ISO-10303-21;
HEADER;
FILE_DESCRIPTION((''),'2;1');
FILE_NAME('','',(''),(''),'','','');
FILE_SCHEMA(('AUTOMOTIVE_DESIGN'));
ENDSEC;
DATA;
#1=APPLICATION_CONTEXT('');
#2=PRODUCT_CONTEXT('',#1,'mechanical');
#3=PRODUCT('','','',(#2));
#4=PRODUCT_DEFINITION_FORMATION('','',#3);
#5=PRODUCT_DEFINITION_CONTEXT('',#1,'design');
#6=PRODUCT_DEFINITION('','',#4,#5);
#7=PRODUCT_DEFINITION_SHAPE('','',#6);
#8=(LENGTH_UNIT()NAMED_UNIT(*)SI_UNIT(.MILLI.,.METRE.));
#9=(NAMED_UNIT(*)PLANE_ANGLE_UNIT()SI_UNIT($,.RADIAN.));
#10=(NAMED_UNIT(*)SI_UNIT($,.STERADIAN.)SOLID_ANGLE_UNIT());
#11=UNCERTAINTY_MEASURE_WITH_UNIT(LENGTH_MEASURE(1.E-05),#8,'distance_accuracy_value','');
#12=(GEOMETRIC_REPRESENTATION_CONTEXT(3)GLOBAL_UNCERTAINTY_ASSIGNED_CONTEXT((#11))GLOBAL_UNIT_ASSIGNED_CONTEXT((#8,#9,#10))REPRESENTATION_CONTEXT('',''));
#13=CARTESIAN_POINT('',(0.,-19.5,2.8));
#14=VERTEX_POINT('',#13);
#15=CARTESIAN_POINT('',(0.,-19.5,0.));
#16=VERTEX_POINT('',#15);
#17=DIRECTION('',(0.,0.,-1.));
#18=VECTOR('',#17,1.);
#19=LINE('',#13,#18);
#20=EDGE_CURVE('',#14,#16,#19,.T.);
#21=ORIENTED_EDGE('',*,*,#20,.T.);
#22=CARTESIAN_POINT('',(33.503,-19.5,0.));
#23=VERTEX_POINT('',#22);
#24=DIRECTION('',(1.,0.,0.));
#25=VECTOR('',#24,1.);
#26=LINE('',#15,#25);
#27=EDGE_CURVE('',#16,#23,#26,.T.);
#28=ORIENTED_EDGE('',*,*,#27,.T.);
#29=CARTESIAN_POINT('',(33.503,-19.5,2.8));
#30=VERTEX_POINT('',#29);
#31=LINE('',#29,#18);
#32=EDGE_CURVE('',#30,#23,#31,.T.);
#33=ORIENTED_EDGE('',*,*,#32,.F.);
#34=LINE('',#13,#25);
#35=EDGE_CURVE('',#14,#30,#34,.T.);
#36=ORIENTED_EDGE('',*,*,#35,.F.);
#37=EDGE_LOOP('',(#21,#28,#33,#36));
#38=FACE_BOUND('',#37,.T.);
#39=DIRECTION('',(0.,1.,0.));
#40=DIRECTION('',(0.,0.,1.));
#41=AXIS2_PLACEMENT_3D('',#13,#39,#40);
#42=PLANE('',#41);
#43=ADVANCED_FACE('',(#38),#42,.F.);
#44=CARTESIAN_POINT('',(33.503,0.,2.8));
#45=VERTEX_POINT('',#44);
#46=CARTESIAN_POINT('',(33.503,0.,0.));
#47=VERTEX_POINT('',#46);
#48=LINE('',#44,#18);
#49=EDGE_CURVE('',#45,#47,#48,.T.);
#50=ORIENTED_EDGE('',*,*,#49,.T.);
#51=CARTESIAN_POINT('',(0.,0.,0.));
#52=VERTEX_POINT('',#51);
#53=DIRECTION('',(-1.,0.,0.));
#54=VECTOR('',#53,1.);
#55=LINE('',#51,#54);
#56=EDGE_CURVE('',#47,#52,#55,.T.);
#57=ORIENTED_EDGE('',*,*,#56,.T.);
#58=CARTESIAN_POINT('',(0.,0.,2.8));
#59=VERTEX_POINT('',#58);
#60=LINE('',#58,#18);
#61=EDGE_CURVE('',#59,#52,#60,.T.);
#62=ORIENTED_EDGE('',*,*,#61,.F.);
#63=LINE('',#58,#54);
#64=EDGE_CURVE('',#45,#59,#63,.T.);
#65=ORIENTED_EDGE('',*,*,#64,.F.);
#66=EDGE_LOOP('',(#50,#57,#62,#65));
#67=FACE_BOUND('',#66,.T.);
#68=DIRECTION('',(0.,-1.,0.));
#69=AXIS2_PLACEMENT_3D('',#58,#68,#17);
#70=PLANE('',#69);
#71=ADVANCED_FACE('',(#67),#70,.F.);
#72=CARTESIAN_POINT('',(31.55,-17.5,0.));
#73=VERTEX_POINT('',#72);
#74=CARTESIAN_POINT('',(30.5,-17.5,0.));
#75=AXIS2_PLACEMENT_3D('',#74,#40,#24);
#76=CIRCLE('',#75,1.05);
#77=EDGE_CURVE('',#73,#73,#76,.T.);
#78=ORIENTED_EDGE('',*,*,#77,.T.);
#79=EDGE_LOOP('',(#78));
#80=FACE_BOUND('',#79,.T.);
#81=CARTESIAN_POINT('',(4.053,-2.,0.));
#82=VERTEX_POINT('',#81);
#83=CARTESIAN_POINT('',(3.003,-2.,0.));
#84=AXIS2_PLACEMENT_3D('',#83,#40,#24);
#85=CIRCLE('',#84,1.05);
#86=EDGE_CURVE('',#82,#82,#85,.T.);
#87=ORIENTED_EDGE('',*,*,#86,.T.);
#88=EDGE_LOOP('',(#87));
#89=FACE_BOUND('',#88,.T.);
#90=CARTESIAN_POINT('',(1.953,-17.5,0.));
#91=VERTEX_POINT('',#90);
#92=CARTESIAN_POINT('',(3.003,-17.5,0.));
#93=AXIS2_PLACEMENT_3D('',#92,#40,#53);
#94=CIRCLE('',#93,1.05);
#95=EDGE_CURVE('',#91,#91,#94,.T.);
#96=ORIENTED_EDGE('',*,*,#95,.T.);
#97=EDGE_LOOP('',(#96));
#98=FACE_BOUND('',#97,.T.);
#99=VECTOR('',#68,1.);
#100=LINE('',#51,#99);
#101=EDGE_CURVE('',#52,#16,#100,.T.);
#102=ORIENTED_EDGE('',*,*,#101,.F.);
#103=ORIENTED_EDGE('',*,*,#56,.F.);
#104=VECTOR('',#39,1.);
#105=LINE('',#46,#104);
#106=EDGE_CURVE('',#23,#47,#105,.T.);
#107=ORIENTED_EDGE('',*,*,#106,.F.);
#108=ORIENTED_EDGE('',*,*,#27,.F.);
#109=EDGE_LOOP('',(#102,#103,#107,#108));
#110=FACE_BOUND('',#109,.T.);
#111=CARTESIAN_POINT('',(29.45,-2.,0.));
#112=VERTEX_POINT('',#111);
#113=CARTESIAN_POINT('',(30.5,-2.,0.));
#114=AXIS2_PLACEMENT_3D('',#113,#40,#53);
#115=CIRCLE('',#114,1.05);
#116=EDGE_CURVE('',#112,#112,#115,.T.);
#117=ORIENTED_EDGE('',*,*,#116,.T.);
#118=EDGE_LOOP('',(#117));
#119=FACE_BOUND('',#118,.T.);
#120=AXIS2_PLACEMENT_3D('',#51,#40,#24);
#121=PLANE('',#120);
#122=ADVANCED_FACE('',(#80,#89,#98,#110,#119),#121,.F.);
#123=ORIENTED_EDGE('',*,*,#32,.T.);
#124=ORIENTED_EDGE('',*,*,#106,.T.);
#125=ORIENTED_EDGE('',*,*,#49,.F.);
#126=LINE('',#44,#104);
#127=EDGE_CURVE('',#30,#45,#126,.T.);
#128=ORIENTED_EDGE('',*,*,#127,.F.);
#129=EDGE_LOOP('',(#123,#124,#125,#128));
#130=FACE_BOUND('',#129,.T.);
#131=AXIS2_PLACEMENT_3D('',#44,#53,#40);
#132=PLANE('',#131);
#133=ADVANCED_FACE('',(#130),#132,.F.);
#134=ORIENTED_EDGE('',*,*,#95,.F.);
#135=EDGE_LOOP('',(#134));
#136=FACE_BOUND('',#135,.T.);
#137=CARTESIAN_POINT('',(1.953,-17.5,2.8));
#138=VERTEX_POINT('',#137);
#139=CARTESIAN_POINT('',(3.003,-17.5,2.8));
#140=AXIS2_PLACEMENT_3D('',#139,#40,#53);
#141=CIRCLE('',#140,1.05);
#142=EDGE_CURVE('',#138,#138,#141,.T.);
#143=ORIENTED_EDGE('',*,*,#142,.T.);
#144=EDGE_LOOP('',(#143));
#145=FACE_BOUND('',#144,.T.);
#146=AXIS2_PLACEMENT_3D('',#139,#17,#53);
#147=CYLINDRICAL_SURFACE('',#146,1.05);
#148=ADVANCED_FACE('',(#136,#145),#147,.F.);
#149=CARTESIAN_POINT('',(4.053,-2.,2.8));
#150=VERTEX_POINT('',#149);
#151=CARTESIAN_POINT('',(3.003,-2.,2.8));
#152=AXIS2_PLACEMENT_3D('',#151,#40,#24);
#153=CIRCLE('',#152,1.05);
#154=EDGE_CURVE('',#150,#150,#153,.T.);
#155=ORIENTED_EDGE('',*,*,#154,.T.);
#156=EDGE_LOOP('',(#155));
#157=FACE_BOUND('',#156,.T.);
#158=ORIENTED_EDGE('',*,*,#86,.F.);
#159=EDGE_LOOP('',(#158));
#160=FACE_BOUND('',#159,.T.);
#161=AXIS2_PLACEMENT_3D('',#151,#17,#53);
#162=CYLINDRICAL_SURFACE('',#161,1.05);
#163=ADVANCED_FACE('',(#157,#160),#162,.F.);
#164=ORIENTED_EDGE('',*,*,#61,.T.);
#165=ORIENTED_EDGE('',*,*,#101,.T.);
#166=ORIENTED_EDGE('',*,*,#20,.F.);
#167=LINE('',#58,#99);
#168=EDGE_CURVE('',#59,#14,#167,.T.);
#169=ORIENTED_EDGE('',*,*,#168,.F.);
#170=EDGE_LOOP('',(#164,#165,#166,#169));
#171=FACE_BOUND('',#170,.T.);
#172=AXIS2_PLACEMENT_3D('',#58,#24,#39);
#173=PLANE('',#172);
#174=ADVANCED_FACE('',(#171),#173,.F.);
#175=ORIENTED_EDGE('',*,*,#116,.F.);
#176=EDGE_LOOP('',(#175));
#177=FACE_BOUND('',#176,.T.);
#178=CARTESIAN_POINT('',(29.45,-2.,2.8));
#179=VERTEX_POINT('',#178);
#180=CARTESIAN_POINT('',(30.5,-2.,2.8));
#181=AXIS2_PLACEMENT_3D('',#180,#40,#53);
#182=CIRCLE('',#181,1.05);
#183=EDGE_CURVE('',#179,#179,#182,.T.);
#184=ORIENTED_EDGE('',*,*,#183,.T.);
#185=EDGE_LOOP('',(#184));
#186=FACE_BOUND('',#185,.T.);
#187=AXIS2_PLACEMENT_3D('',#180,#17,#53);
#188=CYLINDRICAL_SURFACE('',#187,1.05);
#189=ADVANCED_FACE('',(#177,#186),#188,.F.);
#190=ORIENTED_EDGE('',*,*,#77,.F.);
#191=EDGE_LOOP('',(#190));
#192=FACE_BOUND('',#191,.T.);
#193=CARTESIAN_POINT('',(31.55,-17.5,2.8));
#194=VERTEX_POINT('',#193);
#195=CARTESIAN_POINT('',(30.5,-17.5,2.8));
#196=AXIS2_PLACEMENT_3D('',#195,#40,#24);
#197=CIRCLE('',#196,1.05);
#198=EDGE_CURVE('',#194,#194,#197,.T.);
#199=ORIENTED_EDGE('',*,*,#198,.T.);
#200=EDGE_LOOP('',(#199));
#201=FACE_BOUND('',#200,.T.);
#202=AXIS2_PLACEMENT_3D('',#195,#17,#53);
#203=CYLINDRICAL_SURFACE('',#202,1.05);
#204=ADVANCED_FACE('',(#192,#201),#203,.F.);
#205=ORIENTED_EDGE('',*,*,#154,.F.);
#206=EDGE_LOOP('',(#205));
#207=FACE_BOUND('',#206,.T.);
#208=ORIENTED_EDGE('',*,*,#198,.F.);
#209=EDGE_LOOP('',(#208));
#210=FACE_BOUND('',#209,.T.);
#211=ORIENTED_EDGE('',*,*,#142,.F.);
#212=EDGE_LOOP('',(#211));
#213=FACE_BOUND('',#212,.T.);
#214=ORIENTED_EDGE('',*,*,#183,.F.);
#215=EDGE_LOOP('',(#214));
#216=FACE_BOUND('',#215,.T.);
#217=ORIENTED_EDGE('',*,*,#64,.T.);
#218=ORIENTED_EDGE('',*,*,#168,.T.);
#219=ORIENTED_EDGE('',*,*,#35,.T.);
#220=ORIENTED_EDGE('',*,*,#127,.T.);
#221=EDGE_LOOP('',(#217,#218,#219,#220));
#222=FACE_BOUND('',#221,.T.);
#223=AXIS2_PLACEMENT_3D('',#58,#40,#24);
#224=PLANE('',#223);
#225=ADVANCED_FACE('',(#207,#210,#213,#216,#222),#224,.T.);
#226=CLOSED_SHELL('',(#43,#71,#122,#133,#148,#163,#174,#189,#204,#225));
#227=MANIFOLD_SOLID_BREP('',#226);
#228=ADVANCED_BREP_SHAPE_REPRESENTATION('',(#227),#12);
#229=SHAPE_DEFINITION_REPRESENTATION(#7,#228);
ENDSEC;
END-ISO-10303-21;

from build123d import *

# Parameters (mm, degrees)
SKETCH_1_W      = 33.503
SKETCH_1_H      = 19.5
SKETCH_1_R      = 1.05
EXTRUDE_1_DEPTH = 2.8


with BuildPart() as part:
    # 草图1 → 凸台-拉伸1 (new body)
    with BuildSketch(Plane.XY):
        with Locations((16.7515, -9.75)):
            Rectangle(SKETCH_1_W, SKETCH_1_H)
        with Locations((3.003, -2)):
            Circle(SKETCH_1_R, mode=Mode.SUBTRACT)
        with Locations(Location((3.003, -17.5, 0), (0, 0, 180))):
            Circle(SKETCH_1_R, mode=Mode.SUBTRACT)
        with Locations((30.5, -17.5)):
            Circle(SKETCH_1_R, mode=Mode.SUBTRACT)
        with Locations(Location((30.5, -2, 0), (0, 0, 180))):
            Circle(SKETCH_1_R, mode=Mode.SUBTRACT)
    extrude(amount=EXTRUDE_1_DEPTH)


solid = part.part
